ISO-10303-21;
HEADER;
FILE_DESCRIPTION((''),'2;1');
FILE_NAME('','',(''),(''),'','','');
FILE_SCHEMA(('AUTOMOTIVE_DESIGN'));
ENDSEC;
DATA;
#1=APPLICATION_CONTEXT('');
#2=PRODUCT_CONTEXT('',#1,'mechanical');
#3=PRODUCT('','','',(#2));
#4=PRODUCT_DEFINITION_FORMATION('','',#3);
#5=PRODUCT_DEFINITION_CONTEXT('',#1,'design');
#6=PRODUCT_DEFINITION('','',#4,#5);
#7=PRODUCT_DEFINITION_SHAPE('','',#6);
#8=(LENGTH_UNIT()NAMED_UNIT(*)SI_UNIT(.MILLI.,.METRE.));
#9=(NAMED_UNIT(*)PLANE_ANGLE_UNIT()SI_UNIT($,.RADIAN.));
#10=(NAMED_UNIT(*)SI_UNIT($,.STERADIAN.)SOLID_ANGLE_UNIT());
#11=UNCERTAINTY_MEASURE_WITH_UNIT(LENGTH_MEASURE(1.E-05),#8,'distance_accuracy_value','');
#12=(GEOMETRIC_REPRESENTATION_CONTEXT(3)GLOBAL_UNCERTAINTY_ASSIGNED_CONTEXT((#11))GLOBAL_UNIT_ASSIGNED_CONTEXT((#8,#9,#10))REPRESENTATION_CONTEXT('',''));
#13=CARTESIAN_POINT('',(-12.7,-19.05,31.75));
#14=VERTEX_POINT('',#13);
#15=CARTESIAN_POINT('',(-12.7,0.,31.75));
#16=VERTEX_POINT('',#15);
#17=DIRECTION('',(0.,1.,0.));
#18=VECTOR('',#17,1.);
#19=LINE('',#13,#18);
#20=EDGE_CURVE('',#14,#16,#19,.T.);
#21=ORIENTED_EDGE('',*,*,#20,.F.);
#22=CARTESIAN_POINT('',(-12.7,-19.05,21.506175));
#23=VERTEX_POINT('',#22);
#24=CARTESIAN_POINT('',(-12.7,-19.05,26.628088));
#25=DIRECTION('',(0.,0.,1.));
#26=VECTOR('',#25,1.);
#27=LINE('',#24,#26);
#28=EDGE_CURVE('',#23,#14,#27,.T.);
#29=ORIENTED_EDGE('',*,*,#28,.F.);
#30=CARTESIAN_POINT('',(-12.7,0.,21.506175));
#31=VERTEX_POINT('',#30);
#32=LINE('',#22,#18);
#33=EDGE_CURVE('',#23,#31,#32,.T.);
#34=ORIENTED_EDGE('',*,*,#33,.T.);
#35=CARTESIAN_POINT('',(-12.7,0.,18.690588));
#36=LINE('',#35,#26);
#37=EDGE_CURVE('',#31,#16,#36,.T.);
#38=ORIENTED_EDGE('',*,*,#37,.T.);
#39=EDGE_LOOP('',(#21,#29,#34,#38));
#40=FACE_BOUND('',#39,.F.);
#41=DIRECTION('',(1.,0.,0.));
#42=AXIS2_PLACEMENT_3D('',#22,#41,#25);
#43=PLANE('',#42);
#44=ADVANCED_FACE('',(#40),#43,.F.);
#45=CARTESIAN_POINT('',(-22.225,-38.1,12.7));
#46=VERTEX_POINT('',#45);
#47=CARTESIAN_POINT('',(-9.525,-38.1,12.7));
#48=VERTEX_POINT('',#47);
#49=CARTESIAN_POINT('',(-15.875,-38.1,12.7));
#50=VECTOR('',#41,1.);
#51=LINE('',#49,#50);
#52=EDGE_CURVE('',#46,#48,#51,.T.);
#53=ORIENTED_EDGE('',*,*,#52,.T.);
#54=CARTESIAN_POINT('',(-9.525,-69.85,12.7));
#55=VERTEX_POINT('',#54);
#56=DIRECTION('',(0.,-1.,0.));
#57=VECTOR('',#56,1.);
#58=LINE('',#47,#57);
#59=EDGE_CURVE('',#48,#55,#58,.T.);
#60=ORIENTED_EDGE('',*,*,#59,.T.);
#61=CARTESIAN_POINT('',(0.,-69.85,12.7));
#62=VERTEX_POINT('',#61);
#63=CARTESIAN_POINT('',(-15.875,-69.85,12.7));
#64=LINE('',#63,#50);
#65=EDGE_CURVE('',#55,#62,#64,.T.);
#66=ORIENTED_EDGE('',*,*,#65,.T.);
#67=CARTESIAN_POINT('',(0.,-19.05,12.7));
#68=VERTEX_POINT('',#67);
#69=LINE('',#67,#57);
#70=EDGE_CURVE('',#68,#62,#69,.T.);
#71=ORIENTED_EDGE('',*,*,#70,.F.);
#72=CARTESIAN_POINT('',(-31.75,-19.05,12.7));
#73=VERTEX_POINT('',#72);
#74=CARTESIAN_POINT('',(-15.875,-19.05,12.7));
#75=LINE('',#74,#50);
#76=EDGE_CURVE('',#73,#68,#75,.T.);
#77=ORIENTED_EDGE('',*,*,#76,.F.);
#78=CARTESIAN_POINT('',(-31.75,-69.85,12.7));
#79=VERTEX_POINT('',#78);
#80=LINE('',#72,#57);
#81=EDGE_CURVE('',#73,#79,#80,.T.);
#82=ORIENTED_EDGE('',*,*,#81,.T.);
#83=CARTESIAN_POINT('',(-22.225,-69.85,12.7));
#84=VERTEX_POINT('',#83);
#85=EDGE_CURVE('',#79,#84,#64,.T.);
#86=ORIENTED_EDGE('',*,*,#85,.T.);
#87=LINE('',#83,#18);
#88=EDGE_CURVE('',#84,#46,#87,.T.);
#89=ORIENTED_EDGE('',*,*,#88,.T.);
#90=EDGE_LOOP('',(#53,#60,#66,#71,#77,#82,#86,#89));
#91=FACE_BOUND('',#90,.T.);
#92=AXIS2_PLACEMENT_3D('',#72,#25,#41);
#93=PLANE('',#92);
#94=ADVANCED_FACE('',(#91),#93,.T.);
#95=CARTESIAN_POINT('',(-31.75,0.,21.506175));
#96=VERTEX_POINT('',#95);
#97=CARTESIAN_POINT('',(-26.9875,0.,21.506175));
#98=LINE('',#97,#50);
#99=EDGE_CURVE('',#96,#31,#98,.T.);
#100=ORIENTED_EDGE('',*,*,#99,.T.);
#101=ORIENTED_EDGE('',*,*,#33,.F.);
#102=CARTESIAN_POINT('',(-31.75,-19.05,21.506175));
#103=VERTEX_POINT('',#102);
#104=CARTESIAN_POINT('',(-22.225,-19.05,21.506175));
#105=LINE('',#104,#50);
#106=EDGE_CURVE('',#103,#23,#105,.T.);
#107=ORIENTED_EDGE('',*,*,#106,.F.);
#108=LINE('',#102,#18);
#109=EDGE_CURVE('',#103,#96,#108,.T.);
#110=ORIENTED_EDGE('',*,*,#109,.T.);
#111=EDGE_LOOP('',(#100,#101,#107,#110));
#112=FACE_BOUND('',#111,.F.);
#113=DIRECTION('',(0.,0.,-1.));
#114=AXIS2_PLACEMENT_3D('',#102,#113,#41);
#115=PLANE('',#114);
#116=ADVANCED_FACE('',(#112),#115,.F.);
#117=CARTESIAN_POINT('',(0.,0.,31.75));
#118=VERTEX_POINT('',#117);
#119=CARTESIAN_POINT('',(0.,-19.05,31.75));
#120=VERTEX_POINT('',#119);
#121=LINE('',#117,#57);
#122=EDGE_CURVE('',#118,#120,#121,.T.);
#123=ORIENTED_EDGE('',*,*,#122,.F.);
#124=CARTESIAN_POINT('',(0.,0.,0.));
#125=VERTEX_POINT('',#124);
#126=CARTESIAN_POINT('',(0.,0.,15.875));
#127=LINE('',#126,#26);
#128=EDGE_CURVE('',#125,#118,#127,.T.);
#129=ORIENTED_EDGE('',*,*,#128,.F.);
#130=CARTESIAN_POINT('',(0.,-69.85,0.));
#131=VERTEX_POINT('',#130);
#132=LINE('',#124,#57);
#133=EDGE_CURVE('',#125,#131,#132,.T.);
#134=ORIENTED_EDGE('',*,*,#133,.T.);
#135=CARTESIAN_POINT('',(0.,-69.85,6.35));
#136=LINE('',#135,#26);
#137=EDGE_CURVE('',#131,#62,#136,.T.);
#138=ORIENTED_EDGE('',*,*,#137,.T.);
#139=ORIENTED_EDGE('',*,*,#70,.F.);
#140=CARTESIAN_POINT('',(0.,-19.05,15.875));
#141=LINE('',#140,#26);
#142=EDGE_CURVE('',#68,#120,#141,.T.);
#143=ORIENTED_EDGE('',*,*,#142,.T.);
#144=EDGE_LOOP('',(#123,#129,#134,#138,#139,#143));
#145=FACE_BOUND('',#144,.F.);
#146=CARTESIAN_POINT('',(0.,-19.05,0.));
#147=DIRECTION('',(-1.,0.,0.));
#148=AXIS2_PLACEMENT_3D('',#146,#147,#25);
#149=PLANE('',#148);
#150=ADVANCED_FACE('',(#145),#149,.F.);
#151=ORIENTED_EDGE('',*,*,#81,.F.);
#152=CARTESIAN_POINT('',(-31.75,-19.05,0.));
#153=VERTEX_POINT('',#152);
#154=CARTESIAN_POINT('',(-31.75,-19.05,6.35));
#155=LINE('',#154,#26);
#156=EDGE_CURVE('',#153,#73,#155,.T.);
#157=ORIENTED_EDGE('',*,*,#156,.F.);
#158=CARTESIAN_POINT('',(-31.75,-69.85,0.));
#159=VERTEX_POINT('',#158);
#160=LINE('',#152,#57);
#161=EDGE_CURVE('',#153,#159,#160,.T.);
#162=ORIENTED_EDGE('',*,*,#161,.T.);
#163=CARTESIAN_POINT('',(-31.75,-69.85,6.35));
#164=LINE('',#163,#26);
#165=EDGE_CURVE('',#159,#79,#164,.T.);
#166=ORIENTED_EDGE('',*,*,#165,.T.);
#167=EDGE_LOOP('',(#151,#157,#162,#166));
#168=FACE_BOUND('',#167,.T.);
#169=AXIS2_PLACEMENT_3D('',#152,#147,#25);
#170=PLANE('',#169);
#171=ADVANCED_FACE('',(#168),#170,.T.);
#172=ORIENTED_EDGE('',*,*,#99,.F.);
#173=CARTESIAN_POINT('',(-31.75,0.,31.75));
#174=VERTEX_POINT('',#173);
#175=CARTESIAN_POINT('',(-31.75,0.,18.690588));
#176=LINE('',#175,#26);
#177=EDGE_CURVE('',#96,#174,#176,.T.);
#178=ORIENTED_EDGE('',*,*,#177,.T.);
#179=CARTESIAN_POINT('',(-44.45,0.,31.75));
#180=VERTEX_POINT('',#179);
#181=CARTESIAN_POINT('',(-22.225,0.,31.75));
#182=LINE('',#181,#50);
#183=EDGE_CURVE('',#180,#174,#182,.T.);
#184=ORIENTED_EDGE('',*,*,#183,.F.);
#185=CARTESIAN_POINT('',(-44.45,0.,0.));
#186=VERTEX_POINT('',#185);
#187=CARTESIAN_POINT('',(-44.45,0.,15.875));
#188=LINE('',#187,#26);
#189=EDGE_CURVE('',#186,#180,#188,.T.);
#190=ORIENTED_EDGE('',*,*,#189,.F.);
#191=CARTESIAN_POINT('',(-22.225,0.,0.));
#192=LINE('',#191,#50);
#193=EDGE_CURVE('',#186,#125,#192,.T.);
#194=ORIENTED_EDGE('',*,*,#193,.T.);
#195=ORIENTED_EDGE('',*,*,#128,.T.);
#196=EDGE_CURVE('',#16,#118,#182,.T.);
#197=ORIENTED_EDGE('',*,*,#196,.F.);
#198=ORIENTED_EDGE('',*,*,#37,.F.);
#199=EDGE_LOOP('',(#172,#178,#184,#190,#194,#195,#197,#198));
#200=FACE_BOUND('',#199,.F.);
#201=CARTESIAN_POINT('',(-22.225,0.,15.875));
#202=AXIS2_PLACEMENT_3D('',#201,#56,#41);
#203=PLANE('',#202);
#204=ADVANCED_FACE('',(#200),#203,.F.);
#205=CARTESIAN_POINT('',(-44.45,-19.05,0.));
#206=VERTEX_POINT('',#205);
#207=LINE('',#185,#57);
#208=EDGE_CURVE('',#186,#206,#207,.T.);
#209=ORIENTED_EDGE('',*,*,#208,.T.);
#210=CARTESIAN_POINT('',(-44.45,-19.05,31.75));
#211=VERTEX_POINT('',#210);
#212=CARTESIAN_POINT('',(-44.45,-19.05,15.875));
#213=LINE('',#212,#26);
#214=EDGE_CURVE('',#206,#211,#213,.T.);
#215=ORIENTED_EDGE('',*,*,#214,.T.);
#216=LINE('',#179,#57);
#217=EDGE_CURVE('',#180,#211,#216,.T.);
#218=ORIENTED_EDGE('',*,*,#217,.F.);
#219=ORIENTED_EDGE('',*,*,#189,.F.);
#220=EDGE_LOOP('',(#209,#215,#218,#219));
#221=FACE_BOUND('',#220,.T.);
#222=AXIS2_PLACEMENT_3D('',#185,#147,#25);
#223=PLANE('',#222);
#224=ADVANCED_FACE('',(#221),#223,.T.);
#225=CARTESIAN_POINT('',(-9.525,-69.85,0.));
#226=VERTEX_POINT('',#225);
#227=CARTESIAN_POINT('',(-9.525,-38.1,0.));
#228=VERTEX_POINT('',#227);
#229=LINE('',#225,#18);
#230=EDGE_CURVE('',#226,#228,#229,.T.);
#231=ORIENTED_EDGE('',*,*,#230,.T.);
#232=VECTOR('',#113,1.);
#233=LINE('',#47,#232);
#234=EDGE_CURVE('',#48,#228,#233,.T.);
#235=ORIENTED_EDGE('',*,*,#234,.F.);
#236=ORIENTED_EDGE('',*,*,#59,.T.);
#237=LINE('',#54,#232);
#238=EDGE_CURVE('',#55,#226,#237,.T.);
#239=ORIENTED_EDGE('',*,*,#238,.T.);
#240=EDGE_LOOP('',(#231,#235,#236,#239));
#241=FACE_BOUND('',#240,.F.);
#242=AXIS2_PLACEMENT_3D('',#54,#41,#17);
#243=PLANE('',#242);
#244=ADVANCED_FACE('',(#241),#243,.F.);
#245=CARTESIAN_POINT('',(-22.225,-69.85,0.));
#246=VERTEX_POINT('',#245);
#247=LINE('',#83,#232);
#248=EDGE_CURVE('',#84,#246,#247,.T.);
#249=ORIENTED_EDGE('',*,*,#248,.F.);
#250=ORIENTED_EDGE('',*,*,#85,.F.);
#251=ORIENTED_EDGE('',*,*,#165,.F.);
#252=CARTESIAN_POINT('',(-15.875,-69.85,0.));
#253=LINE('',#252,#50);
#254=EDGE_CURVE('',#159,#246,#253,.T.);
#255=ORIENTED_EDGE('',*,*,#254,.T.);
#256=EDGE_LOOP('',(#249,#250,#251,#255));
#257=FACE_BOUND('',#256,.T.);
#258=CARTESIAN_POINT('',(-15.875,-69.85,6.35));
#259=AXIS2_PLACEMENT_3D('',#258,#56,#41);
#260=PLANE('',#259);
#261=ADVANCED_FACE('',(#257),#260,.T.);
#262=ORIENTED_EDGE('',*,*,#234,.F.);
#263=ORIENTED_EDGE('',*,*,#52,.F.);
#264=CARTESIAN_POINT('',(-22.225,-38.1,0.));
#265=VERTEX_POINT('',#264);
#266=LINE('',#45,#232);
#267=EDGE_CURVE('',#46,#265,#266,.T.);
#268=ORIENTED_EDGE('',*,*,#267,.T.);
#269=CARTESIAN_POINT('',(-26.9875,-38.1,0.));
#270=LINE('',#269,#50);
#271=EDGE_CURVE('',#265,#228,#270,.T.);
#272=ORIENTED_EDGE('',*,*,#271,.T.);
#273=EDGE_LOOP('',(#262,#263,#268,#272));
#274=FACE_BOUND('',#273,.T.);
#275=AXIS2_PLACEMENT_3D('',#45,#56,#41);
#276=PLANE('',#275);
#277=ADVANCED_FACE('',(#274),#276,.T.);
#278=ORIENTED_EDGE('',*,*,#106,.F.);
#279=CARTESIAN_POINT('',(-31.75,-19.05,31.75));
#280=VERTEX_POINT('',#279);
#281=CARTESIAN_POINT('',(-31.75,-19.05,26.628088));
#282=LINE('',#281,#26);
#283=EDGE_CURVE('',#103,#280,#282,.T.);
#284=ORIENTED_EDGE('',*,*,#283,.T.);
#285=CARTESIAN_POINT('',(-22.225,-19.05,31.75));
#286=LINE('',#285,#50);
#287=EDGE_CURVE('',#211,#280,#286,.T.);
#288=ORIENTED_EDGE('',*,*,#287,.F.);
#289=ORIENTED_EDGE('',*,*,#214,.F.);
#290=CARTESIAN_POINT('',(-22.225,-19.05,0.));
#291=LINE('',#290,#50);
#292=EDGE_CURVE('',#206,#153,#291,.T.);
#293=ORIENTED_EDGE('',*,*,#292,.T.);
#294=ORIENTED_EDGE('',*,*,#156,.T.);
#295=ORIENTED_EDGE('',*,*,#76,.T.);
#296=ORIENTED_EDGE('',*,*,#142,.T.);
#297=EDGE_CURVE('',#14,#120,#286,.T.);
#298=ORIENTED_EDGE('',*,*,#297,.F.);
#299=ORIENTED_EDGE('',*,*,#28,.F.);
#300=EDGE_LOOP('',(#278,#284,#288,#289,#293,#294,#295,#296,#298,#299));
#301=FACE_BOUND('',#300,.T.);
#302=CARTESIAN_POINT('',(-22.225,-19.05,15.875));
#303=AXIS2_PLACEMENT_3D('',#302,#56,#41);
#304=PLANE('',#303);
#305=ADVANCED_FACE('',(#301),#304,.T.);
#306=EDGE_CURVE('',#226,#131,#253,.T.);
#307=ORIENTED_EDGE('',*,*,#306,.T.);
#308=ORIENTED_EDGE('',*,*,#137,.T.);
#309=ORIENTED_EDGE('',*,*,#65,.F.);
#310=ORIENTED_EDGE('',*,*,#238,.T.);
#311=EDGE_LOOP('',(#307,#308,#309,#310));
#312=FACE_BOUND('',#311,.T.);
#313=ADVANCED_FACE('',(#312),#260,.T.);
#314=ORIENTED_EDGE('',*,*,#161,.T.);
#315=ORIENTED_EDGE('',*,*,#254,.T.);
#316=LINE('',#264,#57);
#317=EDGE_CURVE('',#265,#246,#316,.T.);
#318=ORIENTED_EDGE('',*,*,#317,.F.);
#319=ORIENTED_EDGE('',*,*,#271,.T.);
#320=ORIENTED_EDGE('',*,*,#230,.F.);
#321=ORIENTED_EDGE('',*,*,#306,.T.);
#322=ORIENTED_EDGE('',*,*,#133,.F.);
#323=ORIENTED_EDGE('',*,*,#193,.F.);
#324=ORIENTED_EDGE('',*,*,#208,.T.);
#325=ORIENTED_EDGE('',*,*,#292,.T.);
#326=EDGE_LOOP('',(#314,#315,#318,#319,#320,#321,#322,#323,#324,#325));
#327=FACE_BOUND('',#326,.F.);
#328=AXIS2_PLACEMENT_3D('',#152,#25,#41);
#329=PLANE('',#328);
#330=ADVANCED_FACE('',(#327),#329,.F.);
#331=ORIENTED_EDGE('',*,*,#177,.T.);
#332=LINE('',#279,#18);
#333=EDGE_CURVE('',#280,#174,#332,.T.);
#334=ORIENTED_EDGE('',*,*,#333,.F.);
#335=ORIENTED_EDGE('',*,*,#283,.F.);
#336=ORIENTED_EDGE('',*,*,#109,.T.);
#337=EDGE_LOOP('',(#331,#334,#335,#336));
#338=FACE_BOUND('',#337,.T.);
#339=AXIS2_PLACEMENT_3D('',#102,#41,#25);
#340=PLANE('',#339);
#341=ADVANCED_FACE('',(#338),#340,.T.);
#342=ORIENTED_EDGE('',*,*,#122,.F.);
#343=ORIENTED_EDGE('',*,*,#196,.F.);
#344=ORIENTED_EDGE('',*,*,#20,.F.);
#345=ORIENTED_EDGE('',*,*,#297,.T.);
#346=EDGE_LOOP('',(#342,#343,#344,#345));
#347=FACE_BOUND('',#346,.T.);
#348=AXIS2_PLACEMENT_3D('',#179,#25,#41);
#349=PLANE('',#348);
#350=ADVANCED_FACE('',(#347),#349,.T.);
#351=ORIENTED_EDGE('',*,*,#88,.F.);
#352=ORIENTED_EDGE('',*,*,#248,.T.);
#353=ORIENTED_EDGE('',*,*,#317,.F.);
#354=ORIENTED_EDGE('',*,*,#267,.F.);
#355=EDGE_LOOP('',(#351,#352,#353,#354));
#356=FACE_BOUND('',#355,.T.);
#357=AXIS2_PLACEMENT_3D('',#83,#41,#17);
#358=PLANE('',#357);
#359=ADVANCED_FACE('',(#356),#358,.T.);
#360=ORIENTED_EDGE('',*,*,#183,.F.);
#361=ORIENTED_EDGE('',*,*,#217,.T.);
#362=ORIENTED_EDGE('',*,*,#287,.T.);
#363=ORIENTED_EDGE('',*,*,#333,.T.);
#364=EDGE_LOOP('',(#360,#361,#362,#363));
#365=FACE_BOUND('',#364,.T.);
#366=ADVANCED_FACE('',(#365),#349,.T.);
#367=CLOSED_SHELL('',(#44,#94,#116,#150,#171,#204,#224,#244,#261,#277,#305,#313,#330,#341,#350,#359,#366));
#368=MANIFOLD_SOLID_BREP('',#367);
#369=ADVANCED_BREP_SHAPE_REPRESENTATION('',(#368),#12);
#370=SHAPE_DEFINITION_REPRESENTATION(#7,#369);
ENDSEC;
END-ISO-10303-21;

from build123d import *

# Parameters (mm, degrees)
F0_W     = 44.45
F0_H     = 31.75
F1_DEPTH = 19.05
F2_W     = 19.05
F2_H     = 10.2438246012
F3_DEPTH = 25.4
F4_W     = 31.75
F4_H     = 12.7
F5_DEPTH = 50.8
F7_W     = 12.7
F7_H     = 31.75
F8_DEPTH = 25.4
F6_W     = 12.7
F6_H     = 12.7
F9_DEPTH = 25.4


with BuildPart() as f1:
    # F0 (on Front) → F1 (new body)
    with BuildSketch(Plane.XZ):
        with Locations((-22.225, 15.875)):
            Rectangle(F0_W, F0_H)
    extrude(amount=F1_DEPTH)

    # F2 (on face) → F3 (cut)
    with BuildSketch(Plane.XZ.offset(19.05)):
        with Locations((-22.225, 26.6280876994)):
            Rectangle(F2_W, F2_H)
    extrude(amount=-F3_DEPTH, mode=Mode.SUBTRACT)

    # F4 (on face) → F5 (join)
    with BuildSketch(Plane.XZ.offset(19.05)):
        with Locations((-15.875, 6.35)):
            Rectangle(F4_W, F4_H)
    extrude(amount=F5_DEPTH)

    # F7 (on face) → F8 (cut)
    with BuildSketch(Plane.XY.offset(12.7)):
        with Locations((-15.875, -53.975)):
            Rectangle(F7_W, F7_H)
    extrude(amount=-F8_DEPTH, mode=Mode.SUBTRACT)

    # F6 (on face) → F9 (cut)
    with BuildSketch(Plane.XZ.offset(69.85)):
        with Locations((-15.875, 6.35)):
            Rectangle(F6_W, F6_H)
    extrude(amount=-F9_DEPTH, mode=Mode.SUBTRACT)


solid = f1.part
